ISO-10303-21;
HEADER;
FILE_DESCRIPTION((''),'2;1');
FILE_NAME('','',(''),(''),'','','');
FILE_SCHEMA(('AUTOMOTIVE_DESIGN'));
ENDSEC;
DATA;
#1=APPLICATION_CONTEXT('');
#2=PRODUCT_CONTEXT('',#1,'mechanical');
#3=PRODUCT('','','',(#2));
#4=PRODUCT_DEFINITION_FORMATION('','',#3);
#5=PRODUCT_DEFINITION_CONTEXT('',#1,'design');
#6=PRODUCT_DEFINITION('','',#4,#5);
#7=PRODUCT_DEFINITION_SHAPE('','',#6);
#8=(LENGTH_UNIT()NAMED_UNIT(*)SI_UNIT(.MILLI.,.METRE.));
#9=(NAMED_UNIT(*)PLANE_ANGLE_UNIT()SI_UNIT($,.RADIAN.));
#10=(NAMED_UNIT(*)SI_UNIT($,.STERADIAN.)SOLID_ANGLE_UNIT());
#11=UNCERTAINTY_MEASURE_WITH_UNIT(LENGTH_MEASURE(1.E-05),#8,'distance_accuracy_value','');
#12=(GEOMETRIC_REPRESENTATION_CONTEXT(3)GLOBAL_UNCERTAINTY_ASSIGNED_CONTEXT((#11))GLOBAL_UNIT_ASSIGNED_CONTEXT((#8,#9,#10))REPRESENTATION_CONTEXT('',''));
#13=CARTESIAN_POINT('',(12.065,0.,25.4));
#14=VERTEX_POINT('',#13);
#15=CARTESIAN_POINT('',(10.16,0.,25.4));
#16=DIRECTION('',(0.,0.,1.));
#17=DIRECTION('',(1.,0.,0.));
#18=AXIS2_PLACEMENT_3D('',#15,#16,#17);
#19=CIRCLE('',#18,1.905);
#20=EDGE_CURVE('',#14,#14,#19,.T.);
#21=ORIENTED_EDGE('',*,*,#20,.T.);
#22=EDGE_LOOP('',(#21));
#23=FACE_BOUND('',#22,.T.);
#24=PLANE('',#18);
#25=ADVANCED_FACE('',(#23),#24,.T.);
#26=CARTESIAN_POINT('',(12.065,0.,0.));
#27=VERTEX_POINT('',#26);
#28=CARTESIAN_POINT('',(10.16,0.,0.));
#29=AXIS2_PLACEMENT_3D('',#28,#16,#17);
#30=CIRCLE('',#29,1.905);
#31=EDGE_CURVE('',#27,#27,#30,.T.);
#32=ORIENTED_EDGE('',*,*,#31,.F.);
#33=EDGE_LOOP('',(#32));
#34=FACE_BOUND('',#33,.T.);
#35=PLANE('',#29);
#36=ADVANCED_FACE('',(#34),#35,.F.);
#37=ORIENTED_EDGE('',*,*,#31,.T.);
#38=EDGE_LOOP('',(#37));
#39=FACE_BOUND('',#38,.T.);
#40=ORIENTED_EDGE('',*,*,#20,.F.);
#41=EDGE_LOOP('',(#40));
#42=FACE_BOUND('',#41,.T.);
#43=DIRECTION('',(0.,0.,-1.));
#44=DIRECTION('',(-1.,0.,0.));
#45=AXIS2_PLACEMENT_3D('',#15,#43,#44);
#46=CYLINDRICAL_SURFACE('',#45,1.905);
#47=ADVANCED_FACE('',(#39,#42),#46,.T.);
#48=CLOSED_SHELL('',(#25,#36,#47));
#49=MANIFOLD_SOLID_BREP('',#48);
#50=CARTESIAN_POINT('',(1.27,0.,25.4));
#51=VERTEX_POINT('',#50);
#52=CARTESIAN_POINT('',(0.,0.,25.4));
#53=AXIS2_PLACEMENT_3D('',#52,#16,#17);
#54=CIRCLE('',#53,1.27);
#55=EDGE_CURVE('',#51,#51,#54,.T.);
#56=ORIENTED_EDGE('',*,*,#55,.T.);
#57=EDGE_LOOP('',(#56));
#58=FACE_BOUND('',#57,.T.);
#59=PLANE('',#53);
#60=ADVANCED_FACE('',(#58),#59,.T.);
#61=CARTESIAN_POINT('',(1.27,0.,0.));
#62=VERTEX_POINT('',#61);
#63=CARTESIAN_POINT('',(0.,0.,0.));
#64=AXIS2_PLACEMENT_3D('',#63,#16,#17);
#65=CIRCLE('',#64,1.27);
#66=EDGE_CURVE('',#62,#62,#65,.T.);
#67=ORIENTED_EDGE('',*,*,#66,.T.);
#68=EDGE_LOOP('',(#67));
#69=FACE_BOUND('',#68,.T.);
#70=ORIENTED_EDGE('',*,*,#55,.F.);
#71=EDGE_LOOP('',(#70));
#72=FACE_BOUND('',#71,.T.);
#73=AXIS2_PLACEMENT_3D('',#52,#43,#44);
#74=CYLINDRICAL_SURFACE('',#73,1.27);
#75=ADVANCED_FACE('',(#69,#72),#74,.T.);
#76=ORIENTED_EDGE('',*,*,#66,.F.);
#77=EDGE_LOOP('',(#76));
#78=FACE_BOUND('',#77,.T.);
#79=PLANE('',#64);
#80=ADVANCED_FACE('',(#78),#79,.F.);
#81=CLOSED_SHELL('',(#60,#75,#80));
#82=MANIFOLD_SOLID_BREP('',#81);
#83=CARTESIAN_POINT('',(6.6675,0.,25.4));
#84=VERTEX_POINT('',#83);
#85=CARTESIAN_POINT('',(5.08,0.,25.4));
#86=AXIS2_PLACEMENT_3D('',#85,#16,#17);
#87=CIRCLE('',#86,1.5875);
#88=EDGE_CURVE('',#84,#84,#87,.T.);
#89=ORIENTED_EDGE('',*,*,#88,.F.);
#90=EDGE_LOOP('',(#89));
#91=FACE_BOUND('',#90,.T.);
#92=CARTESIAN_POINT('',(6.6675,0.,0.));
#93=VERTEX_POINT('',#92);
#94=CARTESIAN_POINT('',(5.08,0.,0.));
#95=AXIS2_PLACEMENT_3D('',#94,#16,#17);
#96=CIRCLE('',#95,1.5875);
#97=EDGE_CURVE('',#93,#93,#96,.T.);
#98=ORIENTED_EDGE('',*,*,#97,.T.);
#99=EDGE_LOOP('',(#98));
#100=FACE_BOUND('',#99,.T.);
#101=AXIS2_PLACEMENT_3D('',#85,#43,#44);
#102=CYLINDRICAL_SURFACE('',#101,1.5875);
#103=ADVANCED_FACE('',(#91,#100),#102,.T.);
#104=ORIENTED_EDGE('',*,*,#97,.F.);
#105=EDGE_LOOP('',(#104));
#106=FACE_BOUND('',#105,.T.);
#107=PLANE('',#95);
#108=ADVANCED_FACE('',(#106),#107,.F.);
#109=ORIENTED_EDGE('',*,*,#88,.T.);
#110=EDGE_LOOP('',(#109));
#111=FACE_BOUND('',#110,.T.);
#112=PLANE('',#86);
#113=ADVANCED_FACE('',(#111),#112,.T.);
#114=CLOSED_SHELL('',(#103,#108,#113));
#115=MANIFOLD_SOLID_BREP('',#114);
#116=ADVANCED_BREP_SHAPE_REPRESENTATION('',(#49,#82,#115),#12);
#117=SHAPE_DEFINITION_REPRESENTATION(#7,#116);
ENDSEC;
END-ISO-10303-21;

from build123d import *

# Parameters (mm, degrees)
SKETCH1_R             = 1.27
BOSS_EXTRUDE1_DEPTH   = 25.4
SKETCH1_R_2           = 1.5875
BOSS_EXTRUDE1_2_DEPTH = 25.4
SKETCH1_R_3           = 1.905
BOSS_EXTRUDE1_3_DEPTH = 25.4


with BuildPart() as part:
    # Sketch1 → Boss-Extrude1 (new body)
    with BuildSketch(Plane.XY):
        Circle(SKETCH1_R)
    extrude(amount=BOSS_EXTRUDE1_DEPTH)


with BuildPart() as body_2:
    # Sketch1 → Boss-Extrude1 2 (new body)
    with BuildSketch(Plane.XY):
        with Locations((5.08, 0)):
            Circle(SKETCH1_R_2)
    extrude(amount=BOSS_EXTRUDE1_2_DEPTH)


with BuildPart() as body_3:
    # Sketch1 → Boss-Extrude1 3 (new body)
    with BuildSketch(Plane.XY):
        with Locations((10.16, 0)):
            Circle(SKETCH1_R_3)
    extrude(amount=BOSS_EXTRUDE1_3_DEPTH)


solid = Compound([part.part, body_2.part, body_3.part])
